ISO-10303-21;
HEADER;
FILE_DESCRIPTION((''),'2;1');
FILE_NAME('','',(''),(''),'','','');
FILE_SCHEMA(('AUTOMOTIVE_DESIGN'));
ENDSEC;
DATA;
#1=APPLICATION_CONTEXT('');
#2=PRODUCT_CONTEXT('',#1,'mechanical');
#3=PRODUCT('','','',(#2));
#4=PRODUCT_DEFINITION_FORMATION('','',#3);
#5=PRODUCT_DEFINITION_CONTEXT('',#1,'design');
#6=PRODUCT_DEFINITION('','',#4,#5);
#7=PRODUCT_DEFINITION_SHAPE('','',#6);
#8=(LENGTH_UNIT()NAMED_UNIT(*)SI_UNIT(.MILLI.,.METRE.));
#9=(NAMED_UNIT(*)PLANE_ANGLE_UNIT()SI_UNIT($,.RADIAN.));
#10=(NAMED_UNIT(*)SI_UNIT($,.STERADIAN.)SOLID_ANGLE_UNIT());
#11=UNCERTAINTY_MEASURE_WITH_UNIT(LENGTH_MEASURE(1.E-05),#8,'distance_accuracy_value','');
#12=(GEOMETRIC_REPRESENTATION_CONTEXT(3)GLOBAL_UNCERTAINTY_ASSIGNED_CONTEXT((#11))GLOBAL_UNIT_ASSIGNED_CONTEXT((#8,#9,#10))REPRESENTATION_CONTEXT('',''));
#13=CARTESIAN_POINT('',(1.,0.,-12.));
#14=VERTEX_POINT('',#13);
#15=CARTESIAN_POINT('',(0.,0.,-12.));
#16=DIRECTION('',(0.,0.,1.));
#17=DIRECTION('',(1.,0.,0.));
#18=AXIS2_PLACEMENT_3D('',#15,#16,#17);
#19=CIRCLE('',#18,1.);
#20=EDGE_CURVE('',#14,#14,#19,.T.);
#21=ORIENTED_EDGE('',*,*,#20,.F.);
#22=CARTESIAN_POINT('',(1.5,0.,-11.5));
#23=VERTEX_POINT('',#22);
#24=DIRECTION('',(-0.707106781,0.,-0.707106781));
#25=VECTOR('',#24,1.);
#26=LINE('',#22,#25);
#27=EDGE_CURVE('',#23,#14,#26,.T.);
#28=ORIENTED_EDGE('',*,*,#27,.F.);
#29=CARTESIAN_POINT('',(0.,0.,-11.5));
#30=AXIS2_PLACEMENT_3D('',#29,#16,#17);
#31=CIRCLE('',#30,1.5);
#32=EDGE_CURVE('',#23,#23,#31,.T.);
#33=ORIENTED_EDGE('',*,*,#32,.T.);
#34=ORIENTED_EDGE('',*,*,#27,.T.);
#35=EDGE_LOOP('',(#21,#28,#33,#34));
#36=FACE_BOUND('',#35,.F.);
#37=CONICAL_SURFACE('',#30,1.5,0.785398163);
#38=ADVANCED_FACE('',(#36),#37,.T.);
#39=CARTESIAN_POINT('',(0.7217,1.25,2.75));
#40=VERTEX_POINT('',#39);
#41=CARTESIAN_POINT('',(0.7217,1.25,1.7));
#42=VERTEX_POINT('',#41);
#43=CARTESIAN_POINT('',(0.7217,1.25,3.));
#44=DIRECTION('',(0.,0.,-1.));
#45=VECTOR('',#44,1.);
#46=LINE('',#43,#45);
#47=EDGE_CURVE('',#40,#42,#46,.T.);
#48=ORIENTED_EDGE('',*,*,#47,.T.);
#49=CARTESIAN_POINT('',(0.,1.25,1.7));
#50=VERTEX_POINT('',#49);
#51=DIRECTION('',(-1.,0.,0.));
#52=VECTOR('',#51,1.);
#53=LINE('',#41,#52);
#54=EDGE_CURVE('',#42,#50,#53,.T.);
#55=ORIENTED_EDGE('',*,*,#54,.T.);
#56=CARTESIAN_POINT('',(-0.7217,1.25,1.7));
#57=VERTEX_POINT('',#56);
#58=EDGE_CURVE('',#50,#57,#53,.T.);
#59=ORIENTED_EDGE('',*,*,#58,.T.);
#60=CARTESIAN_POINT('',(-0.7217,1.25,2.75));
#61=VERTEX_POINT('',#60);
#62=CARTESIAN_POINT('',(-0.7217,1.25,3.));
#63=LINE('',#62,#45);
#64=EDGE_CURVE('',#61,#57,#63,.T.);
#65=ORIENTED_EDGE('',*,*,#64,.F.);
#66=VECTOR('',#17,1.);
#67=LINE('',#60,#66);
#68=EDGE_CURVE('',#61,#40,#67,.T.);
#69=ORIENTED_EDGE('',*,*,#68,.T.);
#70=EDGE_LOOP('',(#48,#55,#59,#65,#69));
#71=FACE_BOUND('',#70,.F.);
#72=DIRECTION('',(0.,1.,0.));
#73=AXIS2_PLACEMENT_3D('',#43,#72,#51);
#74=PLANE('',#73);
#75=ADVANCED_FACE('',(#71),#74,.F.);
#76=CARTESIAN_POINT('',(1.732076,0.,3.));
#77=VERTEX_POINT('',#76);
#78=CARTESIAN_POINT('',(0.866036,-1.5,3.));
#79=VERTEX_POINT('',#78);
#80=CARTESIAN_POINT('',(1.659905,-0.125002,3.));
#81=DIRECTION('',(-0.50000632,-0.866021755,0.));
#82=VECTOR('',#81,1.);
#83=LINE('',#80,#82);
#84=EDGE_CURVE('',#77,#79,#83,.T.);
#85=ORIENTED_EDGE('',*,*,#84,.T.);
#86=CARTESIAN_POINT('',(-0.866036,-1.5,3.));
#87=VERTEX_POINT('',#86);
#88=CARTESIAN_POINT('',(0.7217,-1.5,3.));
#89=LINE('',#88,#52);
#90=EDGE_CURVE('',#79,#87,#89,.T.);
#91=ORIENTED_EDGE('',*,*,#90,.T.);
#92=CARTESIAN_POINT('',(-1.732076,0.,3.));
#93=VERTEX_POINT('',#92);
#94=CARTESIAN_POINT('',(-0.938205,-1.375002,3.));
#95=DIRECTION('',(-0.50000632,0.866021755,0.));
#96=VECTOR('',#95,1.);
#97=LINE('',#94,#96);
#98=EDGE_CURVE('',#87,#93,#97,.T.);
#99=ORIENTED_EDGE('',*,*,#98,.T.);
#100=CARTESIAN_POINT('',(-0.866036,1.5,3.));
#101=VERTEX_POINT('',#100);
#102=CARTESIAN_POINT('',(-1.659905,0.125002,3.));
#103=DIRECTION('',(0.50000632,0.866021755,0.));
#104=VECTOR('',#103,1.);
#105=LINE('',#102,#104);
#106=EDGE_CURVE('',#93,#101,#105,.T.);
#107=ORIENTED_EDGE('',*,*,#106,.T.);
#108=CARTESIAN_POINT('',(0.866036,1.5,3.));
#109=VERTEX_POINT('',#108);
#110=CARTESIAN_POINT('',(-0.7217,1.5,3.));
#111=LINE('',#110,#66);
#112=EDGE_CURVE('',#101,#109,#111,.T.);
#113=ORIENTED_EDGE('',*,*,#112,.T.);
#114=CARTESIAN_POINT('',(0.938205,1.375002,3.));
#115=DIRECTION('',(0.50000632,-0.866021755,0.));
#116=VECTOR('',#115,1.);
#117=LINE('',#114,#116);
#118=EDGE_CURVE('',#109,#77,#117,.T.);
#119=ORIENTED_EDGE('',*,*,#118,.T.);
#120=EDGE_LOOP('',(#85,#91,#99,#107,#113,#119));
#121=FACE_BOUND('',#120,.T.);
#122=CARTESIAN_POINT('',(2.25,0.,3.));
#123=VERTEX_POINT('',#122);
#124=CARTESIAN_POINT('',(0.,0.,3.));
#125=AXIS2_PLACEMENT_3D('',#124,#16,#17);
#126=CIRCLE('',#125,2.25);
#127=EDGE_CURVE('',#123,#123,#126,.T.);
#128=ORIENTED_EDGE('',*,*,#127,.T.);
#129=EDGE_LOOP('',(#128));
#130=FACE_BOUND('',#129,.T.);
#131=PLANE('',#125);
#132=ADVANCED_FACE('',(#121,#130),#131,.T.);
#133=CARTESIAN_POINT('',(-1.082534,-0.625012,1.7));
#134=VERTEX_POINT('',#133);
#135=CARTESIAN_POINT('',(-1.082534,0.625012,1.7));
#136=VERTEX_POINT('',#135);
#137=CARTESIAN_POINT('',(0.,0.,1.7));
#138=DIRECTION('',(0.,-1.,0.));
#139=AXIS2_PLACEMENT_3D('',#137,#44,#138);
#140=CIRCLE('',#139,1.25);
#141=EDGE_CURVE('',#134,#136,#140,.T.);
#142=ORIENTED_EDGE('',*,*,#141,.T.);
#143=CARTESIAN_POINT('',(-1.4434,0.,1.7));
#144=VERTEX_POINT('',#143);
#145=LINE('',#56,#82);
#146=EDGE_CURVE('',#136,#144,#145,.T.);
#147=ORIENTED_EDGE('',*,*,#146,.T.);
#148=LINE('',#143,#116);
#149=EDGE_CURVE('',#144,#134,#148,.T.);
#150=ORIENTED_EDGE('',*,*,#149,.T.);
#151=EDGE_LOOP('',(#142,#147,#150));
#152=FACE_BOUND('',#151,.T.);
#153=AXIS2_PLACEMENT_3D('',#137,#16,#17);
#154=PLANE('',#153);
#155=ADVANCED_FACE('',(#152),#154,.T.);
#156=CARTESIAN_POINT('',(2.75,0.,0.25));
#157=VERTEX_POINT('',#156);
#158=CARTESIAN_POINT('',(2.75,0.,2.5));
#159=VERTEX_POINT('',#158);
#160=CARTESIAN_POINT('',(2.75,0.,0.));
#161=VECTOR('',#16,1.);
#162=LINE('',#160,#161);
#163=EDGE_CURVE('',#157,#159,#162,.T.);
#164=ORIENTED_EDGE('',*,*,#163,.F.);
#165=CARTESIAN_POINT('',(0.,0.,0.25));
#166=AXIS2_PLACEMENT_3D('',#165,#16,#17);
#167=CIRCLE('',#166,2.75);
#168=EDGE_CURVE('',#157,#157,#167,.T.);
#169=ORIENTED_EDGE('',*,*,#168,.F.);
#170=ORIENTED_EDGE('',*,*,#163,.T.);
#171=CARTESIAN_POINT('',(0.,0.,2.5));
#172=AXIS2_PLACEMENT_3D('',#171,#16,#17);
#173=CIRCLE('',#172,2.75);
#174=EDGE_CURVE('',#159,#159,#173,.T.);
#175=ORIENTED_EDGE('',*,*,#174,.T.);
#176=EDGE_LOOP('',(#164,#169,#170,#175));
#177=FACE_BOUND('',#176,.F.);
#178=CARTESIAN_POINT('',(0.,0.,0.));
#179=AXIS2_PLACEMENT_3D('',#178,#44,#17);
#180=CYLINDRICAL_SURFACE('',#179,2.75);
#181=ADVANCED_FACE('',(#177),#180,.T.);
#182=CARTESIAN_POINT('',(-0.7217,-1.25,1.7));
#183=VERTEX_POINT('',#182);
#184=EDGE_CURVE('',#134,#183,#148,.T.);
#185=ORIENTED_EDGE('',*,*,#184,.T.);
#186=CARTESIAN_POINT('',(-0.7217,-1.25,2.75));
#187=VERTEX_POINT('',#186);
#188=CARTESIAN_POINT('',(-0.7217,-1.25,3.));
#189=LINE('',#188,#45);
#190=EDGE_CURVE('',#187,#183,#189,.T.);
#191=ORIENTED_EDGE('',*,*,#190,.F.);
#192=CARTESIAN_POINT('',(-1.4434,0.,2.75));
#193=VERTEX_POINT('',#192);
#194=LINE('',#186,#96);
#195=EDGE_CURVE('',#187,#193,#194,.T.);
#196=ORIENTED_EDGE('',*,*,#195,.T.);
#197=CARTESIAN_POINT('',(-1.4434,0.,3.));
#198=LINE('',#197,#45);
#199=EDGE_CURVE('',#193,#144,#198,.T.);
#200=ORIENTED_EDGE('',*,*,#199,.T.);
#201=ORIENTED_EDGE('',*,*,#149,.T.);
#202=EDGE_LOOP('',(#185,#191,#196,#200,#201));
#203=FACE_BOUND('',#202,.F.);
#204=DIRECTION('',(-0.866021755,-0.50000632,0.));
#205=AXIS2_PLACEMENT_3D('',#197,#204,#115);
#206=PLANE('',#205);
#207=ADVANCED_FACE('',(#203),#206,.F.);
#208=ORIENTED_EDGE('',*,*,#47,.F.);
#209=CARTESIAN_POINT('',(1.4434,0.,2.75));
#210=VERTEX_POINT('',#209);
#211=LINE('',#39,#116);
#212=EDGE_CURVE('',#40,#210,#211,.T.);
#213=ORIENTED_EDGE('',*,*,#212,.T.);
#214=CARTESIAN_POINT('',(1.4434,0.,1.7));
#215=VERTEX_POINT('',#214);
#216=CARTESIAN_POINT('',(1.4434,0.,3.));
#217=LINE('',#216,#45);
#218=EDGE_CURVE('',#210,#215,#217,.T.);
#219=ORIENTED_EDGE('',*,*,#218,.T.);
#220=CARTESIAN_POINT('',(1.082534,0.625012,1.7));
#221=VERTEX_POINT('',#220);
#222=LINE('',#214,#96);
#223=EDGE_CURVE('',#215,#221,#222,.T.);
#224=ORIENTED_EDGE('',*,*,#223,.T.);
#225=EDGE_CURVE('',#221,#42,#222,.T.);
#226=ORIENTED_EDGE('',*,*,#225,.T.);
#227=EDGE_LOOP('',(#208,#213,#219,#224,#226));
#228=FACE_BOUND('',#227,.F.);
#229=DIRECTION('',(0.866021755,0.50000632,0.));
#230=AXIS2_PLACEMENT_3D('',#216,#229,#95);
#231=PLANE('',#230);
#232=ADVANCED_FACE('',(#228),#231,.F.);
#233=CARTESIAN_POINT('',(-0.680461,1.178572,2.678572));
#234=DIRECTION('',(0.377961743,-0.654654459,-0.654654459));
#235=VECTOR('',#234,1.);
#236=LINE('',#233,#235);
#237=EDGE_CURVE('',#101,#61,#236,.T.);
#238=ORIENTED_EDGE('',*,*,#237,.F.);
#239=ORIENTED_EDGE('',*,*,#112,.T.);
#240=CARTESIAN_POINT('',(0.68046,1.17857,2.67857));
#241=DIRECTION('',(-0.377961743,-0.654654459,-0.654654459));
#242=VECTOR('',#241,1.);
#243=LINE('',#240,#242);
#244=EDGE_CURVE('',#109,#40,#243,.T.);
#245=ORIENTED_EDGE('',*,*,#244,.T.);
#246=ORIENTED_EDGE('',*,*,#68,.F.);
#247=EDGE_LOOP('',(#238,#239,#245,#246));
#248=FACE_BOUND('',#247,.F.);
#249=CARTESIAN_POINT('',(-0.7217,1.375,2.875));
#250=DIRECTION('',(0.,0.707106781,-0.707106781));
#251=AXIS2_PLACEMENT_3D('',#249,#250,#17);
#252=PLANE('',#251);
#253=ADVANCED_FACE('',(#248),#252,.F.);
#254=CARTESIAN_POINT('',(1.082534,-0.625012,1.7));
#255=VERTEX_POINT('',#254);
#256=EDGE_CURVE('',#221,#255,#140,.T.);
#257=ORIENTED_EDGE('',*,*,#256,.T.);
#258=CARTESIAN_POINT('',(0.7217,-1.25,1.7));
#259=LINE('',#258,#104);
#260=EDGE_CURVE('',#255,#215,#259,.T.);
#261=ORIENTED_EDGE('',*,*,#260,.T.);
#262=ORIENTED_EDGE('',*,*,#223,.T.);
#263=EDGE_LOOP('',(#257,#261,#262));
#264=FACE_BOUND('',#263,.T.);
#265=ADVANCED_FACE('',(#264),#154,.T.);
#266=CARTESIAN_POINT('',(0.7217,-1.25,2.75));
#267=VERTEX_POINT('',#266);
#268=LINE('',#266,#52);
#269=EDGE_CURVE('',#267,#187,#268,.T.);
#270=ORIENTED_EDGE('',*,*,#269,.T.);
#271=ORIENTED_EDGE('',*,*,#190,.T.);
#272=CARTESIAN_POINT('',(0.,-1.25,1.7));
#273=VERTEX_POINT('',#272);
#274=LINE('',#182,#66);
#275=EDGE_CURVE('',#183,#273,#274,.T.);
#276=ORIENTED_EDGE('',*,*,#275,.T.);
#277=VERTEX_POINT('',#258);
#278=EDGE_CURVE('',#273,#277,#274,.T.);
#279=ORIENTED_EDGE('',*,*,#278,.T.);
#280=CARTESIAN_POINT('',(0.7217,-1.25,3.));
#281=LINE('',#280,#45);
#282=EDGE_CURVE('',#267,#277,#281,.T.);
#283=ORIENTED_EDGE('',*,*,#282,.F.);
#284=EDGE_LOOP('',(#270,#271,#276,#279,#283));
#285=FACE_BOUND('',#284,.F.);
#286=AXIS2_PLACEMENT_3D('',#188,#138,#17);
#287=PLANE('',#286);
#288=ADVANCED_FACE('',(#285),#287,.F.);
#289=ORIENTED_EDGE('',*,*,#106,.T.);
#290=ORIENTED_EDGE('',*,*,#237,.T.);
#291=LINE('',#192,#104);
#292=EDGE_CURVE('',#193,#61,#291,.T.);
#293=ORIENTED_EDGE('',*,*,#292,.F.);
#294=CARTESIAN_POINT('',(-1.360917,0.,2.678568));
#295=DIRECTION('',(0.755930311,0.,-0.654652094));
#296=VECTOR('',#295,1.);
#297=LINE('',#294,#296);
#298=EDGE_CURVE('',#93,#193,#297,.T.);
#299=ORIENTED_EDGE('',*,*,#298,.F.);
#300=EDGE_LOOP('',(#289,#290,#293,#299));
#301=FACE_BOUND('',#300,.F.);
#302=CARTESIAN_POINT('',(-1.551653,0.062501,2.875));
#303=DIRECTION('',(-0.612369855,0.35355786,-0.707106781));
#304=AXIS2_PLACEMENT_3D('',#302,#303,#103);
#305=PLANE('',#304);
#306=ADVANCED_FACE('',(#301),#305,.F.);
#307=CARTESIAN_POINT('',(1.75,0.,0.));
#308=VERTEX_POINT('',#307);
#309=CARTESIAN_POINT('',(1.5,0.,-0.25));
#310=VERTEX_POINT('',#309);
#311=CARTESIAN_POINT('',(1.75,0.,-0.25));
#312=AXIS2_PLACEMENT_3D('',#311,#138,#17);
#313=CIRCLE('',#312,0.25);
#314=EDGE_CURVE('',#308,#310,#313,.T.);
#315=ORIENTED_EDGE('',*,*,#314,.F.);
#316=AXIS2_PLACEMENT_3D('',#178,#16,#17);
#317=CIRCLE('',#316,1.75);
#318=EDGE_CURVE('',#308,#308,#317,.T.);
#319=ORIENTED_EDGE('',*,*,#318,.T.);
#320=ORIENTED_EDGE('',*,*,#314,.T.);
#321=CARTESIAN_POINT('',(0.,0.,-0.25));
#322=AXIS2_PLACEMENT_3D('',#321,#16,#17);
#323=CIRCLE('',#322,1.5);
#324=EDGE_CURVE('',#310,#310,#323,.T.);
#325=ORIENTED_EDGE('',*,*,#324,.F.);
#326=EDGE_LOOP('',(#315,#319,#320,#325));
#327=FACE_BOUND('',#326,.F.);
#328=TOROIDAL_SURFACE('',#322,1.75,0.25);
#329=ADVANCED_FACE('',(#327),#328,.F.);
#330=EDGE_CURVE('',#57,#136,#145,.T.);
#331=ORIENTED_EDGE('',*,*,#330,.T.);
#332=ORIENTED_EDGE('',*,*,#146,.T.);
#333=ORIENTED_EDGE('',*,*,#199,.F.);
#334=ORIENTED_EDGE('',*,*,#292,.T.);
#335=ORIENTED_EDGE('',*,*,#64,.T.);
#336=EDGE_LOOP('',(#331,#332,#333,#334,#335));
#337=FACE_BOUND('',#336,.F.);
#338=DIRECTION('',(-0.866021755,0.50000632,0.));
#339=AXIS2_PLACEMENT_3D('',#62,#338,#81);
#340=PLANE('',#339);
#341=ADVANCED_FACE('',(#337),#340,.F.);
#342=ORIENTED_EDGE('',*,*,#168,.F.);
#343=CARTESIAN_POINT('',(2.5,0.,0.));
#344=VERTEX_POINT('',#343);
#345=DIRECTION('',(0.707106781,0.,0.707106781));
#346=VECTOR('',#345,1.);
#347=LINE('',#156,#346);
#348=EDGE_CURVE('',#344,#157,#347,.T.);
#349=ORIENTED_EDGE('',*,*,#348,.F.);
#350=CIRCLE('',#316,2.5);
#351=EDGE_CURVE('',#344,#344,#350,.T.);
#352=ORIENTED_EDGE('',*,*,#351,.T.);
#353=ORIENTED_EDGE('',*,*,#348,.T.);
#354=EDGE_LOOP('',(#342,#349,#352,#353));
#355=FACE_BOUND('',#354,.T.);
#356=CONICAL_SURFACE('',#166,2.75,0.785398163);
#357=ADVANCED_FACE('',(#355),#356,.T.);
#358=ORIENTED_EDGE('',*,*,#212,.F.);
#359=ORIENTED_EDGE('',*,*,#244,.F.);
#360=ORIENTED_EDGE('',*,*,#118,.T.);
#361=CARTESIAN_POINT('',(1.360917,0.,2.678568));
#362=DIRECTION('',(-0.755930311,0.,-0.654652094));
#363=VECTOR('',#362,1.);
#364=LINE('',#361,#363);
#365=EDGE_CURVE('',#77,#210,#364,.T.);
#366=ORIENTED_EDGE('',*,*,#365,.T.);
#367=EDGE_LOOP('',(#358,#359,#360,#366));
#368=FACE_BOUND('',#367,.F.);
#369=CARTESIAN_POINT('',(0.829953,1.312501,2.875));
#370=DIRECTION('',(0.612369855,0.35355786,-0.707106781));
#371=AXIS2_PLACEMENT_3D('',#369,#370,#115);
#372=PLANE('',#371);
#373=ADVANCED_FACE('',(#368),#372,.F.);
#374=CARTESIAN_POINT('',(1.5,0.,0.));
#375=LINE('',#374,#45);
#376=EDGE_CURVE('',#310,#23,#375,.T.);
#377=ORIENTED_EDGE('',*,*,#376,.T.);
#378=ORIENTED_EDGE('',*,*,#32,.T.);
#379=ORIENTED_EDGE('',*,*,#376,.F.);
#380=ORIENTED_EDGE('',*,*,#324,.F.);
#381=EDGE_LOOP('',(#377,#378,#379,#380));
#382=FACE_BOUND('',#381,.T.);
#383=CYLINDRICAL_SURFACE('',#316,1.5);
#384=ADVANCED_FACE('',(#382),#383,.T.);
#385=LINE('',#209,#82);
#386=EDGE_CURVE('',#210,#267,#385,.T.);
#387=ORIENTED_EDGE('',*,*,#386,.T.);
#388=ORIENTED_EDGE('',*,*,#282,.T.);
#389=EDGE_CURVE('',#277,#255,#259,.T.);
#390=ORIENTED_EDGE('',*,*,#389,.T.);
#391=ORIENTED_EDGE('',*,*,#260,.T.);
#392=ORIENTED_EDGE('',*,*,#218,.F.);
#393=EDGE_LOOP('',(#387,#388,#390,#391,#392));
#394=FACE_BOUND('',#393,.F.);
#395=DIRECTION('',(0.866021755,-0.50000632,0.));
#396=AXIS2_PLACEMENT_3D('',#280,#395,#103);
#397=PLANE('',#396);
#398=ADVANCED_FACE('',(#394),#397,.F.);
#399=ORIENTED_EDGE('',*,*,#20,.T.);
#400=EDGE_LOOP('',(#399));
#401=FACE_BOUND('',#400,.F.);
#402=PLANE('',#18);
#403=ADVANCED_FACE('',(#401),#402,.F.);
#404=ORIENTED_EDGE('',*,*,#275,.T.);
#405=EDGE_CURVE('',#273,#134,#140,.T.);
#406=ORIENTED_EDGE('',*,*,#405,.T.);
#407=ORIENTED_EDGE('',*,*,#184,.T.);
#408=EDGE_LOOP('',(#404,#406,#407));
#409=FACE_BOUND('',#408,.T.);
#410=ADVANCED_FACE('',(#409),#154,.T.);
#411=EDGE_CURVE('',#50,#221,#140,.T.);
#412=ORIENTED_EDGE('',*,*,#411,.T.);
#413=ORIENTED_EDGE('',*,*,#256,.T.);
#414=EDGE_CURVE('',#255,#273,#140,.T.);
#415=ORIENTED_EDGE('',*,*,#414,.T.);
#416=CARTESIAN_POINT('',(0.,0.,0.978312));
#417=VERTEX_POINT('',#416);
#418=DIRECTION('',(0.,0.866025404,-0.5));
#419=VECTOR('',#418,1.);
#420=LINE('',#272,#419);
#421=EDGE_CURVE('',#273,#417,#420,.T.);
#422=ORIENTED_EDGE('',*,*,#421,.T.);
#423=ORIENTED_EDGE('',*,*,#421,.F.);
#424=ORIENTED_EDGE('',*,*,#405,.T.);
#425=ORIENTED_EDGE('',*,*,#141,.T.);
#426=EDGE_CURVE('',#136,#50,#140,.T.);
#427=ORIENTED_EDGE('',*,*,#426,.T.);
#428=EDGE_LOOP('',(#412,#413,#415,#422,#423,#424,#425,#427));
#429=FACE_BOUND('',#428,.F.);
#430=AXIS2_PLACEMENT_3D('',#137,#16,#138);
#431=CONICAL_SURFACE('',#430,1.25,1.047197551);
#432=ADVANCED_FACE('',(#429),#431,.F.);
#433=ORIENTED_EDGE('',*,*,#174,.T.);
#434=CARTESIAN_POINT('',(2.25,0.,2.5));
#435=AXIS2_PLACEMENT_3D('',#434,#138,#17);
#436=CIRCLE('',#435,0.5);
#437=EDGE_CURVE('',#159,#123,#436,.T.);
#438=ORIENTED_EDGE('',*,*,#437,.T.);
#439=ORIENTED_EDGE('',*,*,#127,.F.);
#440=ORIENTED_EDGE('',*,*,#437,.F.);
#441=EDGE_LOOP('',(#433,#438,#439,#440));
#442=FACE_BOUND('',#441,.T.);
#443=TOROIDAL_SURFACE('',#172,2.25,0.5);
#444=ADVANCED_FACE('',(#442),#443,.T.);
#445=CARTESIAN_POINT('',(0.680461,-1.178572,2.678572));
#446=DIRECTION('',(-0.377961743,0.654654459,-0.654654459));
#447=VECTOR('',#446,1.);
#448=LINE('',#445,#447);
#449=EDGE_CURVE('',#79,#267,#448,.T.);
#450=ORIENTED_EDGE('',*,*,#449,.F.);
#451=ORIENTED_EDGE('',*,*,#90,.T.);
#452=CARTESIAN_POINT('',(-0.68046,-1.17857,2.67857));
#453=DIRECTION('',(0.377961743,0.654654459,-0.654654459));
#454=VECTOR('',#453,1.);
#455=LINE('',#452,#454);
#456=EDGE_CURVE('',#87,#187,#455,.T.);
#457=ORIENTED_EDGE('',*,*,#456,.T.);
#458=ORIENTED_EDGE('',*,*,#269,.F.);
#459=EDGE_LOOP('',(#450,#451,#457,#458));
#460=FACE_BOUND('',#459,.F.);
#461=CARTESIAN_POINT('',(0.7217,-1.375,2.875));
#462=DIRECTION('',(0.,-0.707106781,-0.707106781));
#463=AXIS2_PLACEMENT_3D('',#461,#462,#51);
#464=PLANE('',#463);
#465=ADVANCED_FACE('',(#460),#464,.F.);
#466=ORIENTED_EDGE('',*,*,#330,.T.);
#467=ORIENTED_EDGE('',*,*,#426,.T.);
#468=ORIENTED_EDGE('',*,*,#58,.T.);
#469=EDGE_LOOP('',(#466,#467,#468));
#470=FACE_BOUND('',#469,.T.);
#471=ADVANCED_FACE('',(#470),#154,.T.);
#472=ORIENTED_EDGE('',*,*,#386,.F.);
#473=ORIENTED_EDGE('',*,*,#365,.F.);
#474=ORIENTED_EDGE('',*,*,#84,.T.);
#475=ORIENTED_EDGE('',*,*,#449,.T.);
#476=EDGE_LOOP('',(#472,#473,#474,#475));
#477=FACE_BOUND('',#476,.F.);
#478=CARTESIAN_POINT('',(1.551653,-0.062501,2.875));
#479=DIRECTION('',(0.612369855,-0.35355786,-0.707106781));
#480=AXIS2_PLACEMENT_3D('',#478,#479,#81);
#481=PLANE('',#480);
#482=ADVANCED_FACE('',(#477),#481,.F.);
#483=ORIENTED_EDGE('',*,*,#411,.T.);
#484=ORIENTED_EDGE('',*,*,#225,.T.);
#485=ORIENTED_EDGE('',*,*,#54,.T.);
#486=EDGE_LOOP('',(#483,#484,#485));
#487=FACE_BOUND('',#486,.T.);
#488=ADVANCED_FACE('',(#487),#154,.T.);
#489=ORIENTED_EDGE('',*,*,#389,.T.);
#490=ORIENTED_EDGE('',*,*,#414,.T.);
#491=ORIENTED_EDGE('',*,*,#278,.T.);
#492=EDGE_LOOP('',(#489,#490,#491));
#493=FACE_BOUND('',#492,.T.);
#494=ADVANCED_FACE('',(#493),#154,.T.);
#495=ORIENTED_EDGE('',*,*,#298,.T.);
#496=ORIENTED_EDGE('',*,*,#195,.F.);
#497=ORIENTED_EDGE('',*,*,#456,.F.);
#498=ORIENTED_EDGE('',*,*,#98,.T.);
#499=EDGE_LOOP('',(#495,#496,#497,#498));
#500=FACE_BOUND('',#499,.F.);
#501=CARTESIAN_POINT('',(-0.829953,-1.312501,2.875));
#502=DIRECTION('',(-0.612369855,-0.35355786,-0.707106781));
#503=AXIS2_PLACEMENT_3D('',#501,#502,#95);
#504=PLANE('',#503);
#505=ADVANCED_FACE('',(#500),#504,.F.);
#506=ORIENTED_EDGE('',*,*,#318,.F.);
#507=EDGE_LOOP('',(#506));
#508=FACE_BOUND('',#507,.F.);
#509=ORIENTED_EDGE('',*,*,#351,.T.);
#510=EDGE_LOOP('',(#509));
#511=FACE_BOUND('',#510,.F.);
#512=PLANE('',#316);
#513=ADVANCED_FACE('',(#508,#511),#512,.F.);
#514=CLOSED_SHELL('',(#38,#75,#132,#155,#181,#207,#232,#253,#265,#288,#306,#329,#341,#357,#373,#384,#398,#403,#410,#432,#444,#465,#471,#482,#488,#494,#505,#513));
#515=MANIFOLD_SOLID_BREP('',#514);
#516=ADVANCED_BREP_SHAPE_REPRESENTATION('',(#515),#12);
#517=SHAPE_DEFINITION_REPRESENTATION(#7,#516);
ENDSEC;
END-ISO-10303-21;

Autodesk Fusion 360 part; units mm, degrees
sketch "Sketch1" plane through (0, 0, 0) normal (0, 0, 1) x (1, 0, 0)
  circle A0 centre (0, 0) radius 2.75
  line L0 (-0.7217, 1.25) -> (-1.4434, 0)
  line L1 (-1.4434, 0) -> (-0.7217, -1.25)
  line L2 (-0.7217, -1.25) -> (0.7217, -1.25)
  line L3 (0.7217, -1.25) -> (1.4434, 0)
  line L4 (1.4434, 0) -> (0.7217, 1.25)
  line L5 (0.7217, 1.25) -> (-0.7217, 1.25)
  circle A1 centre (0, 0) radius 1.5
  dimension "d5" = 5.5
  dimension "d6" = 1.25
  dimension "d12" = 3
extrude "Extrude1" add sketch "Sketch1" along normal blind 3 contours A0 | L0 L1 L2 L3 L4 L5 | A1
extrude "Extrude2" add sketch "Sketch1" along normal blind 0.75 contours L0 L1 L2 L3 L4 L5
hole "Hole1" at (0, 0, 3) direction (0, 0, -1) diameter 2.5 depth 1.3 tip angle 120
extrude "Extrude3" add sketch "Sketch1" against normal blind 12 contours L0 L1 L2 L3 L4 L5 | A1
extrude "Extrude4" cut sketch "Sketch1" against normal blind 1.3 from surface at 3 contours L0 L1 L2 L3 L4 L5
fillet "Fillet1" radius 0.5 1 edges at (-2.5639, -0.9944, 3)
fillet "Fillet2" radius 0.25 1 edges at (-1.3985, -0.5424, 0)
chamfer "Chamfer1" distance 0.25 angle 45 7 edges at (-1.0825, 0.625, 3) (-1.0825, -0.625, 3) (0, -1.25, 3) (1.0825, -0.625, 3) (1.0825, 0.625, 3) (0, 1.25, 3) (-2.5639, -0.9944, 0)
chamfer "Chamfer2" distance 0.5 angle 45 1 edges at (-1.3985, 0.5424, -12)
thread "Thread1"
equation "Thread_Size = 3 mm"
equation "Thread_Length = 12 mm"
equation "Head_Diameter = 5.5 mm"
equation "Hex_Width = 2.5 mm"
equation "d5 = Head_Diameter"
equation "d6 = Hex_Width / 2"
equation "Head_Height = 3 mm"
equation "d8 = Head_Height"
equation "d10 = Head_Height * 0.25"
equation "d12 = Thread_Size"
equation "d19 = Hex_Depth"
equation "d20 = Hex_Width"
equation "Hex_Depth = 1.3 mm"
properties part number "HW1292SC"
